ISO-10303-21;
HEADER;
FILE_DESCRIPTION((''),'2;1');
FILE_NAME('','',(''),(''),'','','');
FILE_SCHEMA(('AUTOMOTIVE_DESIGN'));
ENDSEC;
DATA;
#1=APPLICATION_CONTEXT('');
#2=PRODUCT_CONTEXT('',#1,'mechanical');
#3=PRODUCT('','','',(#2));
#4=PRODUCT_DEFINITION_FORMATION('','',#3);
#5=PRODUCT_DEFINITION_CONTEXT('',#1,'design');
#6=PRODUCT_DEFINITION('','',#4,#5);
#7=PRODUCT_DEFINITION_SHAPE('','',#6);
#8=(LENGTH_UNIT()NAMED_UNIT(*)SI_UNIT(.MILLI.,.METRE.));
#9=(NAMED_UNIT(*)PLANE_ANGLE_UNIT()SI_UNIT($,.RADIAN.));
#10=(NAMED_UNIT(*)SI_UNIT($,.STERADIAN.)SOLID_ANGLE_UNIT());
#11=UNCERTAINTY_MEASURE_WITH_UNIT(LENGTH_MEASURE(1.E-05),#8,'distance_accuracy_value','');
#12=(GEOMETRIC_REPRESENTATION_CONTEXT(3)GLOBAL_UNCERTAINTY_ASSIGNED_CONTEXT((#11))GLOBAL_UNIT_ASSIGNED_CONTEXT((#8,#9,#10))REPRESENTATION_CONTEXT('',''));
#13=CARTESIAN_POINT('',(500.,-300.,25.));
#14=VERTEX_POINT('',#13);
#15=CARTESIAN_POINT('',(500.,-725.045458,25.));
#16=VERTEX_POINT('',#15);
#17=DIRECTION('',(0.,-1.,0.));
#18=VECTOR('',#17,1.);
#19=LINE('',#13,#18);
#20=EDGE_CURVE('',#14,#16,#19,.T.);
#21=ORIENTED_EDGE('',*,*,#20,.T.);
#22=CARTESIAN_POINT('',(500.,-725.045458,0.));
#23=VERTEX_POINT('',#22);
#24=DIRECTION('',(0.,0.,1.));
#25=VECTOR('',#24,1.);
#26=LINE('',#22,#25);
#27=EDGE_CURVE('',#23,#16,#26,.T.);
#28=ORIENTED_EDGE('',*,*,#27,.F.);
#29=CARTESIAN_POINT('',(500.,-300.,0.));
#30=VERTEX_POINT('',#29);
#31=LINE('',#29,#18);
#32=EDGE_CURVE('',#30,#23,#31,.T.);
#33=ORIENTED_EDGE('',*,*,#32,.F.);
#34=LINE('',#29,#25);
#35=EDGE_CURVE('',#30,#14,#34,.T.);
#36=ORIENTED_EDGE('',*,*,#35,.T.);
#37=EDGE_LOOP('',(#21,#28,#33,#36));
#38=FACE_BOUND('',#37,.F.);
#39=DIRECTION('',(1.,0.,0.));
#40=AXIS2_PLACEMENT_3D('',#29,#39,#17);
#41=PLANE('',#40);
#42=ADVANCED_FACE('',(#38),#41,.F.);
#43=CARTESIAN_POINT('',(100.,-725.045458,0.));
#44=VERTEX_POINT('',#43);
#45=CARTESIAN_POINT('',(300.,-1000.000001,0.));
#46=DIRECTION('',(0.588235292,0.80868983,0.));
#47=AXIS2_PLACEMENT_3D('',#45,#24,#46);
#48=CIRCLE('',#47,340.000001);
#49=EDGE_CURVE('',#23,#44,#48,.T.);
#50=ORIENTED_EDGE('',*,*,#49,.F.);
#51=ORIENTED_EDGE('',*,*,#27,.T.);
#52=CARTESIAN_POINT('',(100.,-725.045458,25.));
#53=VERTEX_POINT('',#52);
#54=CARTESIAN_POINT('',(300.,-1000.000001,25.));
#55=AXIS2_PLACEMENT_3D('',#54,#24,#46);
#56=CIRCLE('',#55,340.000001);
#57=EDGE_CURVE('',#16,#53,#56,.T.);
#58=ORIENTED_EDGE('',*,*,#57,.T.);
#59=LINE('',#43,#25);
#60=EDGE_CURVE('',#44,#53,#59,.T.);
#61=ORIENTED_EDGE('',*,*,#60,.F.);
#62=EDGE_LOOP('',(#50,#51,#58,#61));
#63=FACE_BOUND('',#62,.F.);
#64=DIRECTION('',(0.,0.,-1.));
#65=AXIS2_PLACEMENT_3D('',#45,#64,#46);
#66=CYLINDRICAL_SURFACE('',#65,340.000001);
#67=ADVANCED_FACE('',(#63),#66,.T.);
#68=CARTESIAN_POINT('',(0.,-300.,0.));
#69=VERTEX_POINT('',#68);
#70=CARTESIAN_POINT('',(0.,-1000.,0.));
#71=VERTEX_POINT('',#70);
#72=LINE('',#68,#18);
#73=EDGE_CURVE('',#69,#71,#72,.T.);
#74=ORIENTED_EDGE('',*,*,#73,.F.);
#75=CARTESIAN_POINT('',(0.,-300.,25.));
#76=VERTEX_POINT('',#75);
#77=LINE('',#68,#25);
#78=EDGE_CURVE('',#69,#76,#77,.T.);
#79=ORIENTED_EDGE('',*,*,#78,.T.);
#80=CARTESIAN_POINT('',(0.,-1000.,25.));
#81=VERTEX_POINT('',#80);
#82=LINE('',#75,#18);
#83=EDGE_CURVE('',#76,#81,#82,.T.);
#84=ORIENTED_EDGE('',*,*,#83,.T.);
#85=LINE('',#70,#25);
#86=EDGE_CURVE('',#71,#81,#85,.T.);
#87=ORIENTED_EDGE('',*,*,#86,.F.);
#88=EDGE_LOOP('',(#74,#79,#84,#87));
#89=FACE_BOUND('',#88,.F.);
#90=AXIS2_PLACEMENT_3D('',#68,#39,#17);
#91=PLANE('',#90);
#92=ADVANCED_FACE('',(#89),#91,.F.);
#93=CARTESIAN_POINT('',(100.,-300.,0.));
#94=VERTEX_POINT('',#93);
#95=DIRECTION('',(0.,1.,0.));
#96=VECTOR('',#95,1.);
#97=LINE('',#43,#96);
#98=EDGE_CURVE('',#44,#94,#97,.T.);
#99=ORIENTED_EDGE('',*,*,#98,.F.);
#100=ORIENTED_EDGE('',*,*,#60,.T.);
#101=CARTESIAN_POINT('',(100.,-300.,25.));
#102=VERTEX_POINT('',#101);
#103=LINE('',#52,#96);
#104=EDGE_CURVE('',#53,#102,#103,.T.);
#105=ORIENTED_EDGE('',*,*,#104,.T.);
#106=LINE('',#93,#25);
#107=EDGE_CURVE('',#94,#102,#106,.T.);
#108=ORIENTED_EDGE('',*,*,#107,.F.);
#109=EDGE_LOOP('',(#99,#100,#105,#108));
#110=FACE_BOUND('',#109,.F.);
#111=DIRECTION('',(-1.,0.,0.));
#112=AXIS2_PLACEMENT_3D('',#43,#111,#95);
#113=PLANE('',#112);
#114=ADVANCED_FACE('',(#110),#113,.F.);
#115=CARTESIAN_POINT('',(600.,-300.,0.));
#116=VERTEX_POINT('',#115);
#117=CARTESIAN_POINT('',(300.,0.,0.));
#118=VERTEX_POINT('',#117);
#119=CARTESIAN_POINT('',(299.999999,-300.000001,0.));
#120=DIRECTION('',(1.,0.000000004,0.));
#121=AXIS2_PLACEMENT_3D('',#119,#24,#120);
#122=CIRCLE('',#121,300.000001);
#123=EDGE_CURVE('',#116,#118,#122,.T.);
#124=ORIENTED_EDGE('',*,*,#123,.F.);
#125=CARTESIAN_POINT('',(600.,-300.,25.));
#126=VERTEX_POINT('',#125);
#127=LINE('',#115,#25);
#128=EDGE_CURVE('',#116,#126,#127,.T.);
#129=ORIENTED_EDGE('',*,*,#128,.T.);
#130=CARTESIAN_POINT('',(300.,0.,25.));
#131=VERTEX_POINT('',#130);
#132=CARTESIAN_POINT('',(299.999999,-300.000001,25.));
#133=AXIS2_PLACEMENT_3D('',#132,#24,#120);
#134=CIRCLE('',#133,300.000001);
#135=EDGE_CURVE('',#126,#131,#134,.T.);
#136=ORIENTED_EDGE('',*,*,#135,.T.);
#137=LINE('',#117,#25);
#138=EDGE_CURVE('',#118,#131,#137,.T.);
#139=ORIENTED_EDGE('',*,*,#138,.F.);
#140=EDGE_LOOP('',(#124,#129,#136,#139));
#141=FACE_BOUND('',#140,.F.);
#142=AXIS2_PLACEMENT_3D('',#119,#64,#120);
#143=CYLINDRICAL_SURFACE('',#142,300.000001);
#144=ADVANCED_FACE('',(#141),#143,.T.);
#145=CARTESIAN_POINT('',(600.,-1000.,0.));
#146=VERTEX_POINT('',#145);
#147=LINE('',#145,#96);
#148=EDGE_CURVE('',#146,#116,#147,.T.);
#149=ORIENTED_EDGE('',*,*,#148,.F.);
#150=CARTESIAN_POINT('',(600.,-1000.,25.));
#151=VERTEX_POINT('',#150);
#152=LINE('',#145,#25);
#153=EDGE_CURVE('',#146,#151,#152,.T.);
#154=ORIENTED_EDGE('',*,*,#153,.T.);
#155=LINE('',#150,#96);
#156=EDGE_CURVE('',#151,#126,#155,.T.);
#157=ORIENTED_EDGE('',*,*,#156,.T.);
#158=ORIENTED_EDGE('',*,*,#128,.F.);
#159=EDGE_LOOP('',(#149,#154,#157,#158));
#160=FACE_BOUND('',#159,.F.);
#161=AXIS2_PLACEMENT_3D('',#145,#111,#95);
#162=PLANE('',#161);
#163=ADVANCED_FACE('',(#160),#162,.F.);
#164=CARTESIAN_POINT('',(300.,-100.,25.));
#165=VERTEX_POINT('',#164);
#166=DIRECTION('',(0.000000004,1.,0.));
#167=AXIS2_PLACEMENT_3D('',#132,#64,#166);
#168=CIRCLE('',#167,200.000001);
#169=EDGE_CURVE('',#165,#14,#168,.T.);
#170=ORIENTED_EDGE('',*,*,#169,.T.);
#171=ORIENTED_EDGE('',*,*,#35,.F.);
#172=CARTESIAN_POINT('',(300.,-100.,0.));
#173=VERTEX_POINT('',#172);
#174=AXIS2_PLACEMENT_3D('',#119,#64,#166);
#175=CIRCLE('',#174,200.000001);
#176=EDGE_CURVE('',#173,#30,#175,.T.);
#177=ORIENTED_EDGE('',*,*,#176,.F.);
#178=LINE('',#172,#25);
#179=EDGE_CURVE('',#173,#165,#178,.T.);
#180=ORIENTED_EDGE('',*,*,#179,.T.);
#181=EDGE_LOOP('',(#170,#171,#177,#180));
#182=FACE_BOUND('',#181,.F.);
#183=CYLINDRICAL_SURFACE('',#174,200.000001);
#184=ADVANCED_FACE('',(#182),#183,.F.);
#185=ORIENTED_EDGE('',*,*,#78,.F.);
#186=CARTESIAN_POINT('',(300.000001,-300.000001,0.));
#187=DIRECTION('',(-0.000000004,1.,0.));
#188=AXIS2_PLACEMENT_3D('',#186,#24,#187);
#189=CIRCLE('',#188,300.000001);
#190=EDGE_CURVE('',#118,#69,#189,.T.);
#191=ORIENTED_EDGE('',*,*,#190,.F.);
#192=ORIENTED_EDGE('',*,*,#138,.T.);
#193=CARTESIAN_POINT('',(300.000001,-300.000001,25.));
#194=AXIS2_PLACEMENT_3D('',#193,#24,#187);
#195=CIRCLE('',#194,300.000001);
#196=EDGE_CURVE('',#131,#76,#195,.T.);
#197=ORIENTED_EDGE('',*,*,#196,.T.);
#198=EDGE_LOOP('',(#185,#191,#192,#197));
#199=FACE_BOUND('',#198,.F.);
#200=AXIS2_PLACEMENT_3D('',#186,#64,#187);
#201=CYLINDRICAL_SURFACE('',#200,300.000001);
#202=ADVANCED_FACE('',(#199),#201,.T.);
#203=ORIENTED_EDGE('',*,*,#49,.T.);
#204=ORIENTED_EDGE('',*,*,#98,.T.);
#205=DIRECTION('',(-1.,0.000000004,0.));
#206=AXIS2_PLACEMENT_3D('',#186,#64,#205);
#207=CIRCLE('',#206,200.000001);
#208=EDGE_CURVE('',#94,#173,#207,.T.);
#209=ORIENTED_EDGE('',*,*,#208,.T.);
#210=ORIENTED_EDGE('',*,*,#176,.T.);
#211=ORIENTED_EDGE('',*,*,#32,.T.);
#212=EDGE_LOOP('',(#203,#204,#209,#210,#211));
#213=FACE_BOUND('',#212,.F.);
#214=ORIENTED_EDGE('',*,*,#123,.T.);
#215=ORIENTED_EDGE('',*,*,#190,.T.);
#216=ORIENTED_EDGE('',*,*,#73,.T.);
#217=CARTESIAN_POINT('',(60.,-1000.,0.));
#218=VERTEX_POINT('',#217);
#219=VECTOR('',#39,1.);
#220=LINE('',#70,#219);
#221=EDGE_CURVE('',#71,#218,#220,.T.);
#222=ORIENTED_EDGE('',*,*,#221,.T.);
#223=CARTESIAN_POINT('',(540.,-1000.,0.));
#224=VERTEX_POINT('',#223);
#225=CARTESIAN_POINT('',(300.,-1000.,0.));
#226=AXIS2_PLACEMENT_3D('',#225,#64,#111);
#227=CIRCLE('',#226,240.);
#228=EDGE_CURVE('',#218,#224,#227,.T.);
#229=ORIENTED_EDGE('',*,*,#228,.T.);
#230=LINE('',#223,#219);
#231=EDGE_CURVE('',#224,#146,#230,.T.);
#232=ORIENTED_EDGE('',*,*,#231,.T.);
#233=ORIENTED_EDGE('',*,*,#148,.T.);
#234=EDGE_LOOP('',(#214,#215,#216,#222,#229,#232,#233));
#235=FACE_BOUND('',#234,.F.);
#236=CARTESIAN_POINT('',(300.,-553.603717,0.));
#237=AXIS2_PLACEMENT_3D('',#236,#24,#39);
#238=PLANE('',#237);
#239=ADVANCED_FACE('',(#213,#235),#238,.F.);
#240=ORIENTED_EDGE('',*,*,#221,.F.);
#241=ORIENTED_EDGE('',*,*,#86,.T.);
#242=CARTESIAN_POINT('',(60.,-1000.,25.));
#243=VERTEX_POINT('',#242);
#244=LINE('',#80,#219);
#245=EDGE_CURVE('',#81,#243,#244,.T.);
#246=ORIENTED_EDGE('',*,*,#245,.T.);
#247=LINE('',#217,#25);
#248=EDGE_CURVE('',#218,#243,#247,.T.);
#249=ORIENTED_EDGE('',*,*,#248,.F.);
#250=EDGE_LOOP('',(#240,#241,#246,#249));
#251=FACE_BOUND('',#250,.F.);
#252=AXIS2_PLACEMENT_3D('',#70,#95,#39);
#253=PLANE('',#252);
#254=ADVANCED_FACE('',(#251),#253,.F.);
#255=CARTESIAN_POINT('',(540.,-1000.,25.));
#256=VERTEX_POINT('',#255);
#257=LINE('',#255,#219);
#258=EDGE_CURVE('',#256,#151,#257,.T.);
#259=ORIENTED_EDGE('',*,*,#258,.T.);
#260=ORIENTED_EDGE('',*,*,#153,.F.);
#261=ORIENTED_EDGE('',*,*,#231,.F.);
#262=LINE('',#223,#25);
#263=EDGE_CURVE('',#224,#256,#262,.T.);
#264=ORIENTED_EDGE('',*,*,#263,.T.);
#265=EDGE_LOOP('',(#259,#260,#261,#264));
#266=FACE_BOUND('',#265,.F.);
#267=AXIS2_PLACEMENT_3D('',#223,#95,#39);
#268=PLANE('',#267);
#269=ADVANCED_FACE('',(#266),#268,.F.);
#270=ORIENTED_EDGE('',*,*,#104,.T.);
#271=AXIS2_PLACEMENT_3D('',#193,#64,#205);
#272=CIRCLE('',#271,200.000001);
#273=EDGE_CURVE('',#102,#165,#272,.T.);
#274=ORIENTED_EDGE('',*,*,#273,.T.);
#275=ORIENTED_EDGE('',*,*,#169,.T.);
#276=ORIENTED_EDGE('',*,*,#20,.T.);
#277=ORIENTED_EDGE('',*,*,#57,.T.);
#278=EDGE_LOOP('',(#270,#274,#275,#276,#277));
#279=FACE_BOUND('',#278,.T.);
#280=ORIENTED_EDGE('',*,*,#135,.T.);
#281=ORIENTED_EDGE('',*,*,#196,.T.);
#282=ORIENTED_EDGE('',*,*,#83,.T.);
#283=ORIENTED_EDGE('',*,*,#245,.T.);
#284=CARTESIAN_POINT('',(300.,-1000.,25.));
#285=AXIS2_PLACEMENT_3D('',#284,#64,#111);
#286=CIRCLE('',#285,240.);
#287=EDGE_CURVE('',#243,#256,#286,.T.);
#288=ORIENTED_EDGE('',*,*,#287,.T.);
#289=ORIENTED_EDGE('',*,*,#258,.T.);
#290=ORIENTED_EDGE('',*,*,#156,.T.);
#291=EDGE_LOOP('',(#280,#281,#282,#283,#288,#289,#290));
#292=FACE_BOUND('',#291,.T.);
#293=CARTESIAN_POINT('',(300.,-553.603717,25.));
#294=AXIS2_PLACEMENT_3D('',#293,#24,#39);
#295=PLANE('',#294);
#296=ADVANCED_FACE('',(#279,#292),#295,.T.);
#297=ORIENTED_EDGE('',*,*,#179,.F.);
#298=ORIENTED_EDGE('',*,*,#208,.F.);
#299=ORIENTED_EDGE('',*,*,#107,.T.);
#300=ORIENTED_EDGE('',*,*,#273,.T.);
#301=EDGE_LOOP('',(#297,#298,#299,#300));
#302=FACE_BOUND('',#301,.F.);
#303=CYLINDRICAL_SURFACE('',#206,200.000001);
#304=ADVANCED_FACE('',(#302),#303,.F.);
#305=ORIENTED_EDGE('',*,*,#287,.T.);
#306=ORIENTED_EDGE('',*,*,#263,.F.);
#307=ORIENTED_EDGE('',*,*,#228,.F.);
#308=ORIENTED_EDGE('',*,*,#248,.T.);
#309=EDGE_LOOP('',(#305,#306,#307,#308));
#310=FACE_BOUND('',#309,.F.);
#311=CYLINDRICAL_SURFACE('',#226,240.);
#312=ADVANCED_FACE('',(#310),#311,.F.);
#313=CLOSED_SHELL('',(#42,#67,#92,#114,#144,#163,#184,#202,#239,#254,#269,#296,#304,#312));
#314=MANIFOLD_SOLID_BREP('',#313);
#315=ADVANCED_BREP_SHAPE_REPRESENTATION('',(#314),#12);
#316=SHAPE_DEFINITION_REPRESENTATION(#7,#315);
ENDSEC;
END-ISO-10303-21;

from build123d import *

# Parameters (mm, degrees)
F1_DEPTH = 25


with BuildPart() as f1:
    # F0 (on Top) → F1 (new body)
    with BuildSketch(Plane.XY):
        with BuildLine():
            ThreePointArc((300, 0), (87.867966, -87.867966), (0, -300))
            Line((0, -300), (0, -1000))
            Line((0, -1000), (60, -1000))
            ThreePointArc((60, -1000), (300, -760), (540, -1000))
            Line((540, -1000), (600, -1000))
            Line((600, -1000), (600, -300))
            ThreePointArc((600, -300), (512.132034, -87.867966), (300, 0))
        make_face()
        with BuildLine():
            ThreePointArc((100, -300), (158.578644, -158.578644), (300, -100))
            ThreePointArc((300, -100), (441.421356, -158.578644), (500, -300))
            Line((500, -300), (500, -725.045458))
            ThreePointArc((500, -725.045458), (300, -660), (100, -725.045458))
            Line((100, -725.045458), (100, -300))
        make_face(mode=Mode.SUBTRACT)
    extrude(amount=F1_DEPTH)


solid = f1.part
